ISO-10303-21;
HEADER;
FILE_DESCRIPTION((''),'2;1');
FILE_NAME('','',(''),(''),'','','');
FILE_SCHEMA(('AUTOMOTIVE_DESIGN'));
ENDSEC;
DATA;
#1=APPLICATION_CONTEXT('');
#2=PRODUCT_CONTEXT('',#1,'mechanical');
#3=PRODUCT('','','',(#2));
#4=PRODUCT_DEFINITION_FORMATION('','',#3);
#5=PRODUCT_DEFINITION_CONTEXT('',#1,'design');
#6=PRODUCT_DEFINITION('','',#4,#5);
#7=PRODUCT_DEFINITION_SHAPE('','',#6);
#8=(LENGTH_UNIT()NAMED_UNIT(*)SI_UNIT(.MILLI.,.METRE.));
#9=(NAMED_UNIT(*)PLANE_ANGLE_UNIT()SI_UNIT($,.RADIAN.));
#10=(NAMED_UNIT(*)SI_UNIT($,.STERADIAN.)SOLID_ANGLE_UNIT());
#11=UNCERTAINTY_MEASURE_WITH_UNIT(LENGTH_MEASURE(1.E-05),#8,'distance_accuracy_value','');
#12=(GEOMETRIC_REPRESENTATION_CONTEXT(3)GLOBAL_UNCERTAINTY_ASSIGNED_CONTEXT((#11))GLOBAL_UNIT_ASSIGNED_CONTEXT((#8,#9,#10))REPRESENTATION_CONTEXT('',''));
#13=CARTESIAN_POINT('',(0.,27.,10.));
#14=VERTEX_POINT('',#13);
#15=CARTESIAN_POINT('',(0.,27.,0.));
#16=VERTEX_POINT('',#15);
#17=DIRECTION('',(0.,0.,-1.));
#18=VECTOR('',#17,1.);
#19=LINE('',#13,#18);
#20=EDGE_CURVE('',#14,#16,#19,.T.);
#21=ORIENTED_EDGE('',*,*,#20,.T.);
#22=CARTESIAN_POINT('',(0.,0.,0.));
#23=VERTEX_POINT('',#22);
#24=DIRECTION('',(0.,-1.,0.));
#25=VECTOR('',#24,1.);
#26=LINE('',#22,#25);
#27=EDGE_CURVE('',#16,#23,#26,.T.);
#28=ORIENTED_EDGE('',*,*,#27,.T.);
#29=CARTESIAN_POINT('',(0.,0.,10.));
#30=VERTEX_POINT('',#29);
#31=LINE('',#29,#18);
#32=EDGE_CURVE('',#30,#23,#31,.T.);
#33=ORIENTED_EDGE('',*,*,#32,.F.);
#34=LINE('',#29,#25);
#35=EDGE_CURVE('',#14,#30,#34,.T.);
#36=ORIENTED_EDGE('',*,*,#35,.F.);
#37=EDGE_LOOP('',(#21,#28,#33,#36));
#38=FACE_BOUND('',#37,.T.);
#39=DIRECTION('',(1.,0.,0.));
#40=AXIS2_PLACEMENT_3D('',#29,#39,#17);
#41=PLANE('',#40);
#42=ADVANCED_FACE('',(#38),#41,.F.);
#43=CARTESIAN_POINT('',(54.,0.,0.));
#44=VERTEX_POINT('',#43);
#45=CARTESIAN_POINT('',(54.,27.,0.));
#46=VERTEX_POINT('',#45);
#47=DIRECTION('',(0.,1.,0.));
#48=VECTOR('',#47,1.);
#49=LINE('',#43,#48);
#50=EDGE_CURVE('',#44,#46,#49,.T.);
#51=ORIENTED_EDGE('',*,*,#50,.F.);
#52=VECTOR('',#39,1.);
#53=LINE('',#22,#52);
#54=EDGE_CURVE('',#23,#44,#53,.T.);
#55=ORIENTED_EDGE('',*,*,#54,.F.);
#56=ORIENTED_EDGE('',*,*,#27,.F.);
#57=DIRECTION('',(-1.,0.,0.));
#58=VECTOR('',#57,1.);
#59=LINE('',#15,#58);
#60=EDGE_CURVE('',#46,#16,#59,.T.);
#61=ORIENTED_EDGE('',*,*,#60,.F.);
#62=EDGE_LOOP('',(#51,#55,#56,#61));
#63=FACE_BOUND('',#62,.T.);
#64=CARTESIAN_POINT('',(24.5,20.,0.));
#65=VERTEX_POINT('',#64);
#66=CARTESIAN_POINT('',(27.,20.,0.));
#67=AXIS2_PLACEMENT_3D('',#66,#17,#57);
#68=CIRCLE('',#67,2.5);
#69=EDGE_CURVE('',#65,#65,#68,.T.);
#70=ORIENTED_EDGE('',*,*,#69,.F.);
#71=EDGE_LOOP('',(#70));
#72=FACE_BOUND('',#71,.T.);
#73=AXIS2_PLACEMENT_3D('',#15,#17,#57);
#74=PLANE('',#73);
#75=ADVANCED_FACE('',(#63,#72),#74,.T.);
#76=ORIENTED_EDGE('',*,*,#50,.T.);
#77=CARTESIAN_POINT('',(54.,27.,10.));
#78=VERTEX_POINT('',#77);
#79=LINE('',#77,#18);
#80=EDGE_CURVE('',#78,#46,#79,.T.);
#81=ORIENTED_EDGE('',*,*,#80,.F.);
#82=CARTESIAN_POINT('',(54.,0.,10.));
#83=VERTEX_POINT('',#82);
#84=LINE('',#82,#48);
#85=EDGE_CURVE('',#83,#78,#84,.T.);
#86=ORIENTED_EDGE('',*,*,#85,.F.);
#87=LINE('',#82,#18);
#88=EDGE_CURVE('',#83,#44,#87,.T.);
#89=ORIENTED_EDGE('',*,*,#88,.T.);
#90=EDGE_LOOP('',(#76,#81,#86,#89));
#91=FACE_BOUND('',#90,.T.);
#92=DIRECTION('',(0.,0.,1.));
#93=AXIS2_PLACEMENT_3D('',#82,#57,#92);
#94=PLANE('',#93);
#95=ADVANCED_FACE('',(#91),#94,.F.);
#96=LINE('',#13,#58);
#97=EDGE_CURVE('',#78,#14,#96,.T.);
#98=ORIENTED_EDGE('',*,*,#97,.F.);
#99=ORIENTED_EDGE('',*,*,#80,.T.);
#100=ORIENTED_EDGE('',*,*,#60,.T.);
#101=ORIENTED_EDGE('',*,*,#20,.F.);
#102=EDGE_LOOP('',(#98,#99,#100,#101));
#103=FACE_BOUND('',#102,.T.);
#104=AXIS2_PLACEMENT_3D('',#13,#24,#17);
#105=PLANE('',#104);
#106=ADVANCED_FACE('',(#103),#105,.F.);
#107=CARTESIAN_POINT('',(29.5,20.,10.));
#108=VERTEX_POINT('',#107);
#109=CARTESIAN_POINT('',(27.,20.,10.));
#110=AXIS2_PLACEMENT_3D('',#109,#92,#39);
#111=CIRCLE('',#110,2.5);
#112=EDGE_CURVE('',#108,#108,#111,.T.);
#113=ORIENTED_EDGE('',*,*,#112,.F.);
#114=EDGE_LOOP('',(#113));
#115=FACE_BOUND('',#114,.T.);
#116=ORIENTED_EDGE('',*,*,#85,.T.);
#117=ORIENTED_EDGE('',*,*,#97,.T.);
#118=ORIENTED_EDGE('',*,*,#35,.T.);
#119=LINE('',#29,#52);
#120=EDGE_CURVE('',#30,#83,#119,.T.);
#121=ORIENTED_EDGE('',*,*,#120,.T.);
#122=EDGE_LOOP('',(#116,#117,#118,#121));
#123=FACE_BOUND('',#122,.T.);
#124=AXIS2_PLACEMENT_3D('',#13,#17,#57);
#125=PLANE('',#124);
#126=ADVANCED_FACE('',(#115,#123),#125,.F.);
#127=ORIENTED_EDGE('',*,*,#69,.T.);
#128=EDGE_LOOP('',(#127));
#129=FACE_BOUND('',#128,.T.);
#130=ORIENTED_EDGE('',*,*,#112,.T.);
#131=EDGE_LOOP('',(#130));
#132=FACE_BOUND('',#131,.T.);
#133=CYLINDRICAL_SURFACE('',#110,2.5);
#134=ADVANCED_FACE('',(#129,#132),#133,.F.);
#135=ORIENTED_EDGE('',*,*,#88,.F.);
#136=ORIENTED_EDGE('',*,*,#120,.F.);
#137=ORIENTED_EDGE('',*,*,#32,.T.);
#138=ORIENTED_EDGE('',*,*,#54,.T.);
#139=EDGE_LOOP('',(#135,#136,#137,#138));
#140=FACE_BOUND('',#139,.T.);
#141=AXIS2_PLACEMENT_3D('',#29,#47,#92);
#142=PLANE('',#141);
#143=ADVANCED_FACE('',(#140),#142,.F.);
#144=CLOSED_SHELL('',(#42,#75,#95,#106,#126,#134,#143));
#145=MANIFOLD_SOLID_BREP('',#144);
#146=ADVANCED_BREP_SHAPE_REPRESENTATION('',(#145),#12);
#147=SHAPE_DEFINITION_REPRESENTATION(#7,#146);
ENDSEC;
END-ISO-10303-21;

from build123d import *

# Parameters (mm, degrees)
SKETCH_1_W             = 54
SKETCH_1_H             = 27
EXTRUDE_1_DEPTH        = 10
HOLE_WIZARD_M6_1_D     = 5
HOLE_WIZARD_M6_1_DEPTH = 15
HOLE_WIZARD_M6_1_TIP   = 1.502151548


with BuildPart() as part:
    # 草图1 → 凸台-拉伸1 (new body)
    with BuildSketch(Plane.XY):
        with Locations((27, 13.5)):
            Rectangle(SKETCH_1_W, SKETCH_1_H)
    extrude(amount=EXTRUDE_1_DEPTH)

    # M6 螺纹孔1
    with Locations(Plane.XY.offset(10)):
        with Locations((27, 20)):
            Hole(HOLE_WIZARD_M6_1_D / 2, depth=HOLE_WIZARD_M6_1_DEPTH)
            with Locations((0, 0, -(HOLE_WIZARD_M6_1_DEPTH + HOLE_WIZARD_M6_1_TIP / 2))):  # 118° drill point
                Cone(0, HOLE_WIZARD_M6_1_D / 2, HOLE_WIZARD_M6_1_TIP, mode=Mode.SUBTRACT)


solid = part.part
